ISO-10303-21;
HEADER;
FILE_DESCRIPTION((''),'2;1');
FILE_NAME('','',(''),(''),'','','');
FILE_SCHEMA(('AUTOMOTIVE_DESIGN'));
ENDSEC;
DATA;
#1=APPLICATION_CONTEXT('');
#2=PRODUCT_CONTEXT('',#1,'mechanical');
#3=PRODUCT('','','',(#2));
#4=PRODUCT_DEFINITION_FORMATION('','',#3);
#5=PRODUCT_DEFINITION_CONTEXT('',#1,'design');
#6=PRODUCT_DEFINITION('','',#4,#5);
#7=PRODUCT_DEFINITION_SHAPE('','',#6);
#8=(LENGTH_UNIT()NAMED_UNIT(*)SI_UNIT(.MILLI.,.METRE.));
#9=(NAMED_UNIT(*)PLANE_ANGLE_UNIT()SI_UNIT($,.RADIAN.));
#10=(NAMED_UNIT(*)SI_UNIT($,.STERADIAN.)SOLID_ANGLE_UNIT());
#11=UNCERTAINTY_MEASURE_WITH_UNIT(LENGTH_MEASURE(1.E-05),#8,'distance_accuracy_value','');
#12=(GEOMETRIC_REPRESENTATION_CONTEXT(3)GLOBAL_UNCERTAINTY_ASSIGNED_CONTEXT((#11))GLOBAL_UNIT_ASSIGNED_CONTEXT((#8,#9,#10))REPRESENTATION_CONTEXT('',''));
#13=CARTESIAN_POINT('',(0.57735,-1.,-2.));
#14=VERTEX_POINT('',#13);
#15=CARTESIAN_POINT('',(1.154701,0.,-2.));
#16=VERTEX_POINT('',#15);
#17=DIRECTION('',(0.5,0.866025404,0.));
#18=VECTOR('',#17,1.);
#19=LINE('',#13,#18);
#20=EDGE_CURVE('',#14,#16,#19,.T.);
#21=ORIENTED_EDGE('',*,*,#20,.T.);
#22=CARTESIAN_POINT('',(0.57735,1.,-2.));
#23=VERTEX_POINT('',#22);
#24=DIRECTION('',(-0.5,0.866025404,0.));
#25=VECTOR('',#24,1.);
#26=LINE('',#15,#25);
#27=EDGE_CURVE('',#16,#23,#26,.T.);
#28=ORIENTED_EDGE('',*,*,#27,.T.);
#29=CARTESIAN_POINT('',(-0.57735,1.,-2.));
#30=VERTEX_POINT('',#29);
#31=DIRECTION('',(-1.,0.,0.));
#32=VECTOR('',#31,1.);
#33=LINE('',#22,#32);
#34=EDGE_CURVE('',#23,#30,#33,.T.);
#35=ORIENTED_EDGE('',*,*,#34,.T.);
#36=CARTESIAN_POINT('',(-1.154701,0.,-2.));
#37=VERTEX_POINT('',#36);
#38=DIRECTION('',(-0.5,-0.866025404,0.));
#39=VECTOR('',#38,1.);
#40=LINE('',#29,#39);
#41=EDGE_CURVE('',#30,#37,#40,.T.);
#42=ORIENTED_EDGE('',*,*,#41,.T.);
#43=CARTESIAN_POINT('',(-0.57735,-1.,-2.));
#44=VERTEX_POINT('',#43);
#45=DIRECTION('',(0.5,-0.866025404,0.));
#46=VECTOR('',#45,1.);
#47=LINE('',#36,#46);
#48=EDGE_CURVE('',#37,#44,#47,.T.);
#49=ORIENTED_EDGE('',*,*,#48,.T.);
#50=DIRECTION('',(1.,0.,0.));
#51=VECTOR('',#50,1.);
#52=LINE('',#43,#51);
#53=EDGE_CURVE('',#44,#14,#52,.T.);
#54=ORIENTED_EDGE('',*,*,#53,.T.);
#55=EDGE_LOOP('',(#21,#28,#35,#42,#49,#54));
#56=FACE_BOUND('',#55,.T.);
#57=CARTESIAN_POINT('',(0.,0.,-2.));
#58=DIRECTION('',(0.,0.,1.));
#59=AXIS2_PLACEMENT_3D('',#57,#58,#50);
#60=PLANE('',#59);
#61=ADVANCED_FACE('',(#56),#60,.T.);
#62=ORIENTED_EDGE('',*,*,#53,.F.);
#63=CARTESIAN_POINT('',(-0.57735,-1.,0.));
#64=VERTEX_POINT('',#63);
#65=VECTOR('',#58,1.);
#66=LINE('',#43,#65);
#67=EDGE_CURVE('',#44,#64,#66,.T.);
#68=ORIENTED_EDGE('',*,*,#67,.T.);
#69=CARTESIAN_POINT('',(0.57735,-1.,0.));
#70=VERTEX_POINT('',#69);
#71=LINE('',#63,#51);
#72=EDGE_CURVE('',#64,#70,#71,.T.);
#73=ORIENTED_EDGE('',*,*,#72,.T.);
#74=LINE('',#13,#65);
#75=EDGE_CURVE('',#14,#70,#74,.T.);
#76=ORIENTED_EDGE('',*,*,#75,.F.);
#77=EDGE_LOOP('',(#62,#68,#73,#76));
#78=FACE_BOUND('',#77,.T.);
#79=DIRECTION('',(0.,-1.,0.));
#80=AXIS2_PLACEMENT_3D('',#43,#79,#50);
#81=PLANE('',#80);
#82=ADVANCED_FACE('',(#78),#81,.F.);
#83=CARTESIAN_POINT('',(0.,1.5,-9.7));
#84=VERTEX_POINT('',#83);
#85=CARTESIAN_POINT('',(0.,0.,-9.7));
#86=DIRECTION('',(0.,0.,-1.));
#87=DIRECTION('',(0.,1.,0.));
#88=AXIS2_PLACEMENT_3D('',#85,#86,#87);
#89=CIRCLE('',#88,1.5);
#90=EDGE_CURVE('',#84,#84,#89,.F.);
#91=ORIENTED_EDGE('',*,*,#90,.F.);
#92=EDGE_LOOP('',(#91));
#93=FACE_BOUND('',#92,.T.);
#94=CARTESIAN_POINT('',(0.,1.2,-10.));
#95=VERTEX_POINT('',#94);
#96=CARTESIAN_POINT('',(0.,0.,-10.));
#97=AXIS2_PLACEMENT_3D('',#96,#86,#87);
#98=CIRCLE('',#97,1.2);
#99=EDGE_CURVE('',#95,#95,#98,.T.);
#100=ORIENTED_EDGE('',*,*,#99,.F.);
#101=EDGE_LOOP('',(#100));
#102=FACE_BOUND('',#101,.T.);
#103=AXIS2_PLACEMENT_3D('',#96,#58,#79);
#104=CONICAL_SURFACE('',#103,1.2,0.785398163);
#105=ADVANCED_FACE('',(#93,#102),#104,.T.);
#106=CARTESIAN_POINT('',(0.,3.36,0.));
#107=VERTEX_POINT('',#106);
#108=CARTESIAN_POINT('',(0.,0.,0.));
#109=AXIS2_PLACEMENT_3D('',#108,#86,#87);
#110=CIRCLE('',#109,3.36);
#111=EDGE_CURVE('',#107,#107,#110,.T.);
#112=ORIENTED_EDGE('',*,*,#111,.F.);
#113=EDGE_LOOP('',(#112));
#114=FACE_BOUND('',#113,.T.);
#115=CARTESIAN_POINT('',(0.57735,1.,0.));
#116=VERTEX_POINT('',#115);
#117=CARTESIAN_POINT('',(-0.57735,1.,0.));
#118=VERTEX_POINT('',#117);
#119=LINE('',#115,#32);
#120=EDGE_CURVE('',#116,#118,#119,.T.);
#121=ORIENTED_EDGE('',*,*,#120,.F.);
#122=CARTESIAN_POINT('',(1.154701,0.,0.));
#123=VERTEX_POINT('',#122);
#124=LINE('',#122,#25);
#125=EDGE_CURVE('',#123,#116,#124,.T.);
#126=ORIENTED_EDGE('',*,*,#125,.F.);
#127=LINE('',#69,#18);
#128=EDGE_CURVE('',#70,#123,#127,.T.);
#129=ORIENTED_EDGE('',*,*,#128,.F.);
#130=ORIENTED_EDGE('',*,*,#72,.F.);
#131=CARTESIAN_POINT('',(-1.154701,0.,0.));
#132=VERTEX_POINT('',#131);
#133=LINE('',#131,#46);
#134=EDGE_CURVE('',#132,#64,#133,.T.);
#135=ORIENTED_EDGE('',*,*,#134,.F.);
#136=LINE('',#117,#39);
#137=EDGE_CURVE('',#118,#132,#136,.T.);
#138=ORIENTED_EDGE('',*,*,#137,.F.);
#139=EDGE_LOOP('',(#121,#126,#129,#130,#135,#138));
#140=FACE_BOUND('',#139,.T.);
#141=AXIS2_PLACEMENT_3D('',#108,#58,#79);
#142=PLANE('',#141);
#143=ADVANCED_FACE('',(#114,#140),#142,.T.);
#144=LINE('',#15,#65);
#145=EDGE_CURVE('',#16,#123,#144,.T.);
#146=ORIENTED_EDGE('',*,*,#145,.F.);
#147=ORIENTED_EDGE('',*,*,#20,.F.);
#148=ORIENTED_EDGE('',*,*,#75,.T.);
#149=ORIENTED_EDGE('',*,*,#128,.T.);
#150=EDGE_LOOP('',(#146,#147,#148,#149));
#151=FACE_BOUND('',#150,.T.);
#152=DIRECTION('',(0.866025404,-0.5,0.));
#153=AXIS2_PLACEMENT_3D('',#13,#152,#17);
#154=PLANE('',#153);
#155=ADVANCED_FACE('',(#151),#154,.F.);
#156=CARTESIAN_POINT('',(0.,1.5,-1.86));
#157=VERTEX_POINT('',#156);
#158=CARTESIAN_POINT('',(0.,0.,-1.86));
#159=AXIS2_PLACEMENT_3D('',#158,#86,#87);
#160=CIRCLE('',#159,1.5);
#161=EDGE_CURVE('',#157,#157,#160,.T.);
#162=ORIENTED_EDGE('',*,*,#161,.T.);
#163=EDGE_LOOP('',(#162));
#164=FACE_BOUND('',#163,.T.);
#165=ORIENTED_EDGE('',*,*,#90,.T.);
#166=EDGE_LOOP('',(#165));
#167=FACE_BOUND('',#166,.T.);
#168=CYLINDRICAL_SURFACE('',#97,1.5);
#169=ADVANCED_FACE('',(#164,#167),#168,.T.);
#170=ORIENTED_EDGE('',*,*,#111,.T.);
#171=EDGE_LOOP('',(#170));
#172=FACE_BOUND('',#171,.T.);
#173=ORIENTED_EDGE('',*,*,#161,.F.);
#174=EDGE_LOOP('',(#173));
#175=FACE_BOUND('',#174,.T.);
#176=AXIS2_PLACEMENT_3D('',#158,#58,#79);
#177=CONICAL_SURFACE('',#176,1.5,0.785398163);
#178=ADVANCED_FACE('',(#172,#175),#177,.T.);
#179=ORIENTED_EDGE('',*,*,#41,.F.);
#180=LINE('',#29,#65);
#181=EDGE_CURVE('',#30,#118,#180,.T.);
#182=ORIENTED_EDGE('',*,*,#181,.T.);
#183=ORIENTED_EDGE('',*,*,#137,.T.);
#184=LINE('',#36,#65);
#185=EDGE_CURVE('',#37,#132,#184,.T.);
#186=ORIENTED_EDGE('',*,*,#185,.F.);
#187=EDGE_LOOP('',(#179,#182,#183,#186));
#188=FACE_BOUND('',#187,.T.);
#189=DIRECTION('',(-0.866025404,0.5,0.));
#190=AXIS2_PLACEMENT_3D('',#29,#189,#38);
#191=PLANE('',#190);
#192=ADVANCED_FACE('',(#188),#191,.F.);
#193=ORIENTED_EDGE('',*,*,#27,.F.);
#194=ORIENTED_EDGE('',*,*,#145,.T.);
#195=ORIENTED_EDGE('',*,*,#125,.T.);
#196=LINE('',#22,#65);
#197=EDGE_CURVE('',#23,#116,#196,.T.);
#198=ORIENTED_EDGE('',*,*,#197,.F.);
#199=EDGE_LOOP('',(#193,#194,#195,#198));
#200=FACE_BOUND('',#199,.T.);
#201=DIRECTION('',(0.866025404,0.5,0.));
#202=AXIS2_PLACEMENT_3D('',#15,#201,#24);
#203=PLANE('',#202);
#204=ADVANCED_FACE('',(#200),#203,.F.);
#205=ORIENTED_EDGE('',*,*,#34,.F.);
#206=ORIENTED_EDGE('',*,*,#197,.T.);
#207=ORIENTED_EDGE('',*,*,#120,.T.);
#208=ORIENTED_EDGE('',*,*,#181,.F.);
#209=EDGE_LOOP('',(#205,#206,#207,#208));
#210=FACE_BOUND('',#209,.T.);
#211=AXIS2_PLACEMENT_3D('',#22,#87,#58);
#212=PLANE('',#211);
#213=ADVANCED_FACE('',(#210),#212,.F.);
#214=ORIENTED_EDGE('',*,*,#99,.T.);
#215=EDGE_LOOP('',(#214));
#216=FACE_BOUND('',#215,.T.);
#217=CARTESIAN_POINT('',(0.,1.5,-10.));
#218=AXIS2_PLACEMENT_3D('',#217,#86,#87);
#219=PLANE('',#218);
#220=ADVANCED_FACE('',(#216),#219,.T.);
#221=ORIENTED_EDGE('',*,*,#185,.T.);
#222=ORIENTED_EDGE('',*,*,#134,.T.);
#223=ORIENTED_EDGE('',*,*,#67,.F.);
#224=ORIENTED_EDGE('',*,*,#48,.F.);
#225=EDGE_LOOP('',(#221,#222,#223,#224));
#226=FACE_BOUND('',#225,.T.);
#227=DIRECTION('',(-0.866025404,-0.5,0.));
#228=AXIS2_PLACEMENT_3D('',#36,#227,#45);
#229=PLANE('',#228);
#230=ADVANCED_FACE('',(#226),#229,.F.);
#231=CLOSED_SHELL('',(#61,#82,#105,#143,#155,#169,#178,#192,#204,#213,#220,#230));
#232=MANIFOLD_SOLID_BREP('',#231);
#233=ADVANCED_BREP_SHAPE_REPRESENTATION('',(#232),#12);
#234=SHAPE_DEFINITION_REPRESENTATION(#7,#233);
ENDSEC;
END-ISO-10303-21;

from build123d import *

# Parameters (mm, degrees)
CUT_EXTRUDE_1_DEPTH = 2
CHAMFER_1_SIZE      = 0.3


with BuildPart() as part:
    # Эскиз1 → Повернуть1 (revolve)
    with BuildSketch(Plane(origin=(0, 0, 0), x_dir=(0, 0, -1), z_dir=(1, 0, 0))):
        Polygon((0, 0), (0, 3.36), (1.86, 1.5), (10, 1.5), (10, 0), align=None)
    revolve(axis=Axis((0, 0, -10), (0, 0, 1)))

    # Эскиз2 → Вырез-Вытянуть1 (cut)
    with BuildSketch(Plane.XY):
        Polygon((1.154700538, 0), (0.577350269, 1), (-0.577350269, 1), (-1.154700538, 0), (-0.577350269, -1), (0.577350269, -1), align=None)
    extrude(amount=-CUT_EXTRUDE_1_DEPTH, mode=Mode.SUBTRACT)

    # Фаска1
    chamfer_1_edges = [part.edges().sort_by_distance(p)[0] for p in [
        (0, -1.5, -10),
    ]]
    chamfer(chamfer_1_edges, length=CHAMFER_1_SIZE)


solid = part.part
